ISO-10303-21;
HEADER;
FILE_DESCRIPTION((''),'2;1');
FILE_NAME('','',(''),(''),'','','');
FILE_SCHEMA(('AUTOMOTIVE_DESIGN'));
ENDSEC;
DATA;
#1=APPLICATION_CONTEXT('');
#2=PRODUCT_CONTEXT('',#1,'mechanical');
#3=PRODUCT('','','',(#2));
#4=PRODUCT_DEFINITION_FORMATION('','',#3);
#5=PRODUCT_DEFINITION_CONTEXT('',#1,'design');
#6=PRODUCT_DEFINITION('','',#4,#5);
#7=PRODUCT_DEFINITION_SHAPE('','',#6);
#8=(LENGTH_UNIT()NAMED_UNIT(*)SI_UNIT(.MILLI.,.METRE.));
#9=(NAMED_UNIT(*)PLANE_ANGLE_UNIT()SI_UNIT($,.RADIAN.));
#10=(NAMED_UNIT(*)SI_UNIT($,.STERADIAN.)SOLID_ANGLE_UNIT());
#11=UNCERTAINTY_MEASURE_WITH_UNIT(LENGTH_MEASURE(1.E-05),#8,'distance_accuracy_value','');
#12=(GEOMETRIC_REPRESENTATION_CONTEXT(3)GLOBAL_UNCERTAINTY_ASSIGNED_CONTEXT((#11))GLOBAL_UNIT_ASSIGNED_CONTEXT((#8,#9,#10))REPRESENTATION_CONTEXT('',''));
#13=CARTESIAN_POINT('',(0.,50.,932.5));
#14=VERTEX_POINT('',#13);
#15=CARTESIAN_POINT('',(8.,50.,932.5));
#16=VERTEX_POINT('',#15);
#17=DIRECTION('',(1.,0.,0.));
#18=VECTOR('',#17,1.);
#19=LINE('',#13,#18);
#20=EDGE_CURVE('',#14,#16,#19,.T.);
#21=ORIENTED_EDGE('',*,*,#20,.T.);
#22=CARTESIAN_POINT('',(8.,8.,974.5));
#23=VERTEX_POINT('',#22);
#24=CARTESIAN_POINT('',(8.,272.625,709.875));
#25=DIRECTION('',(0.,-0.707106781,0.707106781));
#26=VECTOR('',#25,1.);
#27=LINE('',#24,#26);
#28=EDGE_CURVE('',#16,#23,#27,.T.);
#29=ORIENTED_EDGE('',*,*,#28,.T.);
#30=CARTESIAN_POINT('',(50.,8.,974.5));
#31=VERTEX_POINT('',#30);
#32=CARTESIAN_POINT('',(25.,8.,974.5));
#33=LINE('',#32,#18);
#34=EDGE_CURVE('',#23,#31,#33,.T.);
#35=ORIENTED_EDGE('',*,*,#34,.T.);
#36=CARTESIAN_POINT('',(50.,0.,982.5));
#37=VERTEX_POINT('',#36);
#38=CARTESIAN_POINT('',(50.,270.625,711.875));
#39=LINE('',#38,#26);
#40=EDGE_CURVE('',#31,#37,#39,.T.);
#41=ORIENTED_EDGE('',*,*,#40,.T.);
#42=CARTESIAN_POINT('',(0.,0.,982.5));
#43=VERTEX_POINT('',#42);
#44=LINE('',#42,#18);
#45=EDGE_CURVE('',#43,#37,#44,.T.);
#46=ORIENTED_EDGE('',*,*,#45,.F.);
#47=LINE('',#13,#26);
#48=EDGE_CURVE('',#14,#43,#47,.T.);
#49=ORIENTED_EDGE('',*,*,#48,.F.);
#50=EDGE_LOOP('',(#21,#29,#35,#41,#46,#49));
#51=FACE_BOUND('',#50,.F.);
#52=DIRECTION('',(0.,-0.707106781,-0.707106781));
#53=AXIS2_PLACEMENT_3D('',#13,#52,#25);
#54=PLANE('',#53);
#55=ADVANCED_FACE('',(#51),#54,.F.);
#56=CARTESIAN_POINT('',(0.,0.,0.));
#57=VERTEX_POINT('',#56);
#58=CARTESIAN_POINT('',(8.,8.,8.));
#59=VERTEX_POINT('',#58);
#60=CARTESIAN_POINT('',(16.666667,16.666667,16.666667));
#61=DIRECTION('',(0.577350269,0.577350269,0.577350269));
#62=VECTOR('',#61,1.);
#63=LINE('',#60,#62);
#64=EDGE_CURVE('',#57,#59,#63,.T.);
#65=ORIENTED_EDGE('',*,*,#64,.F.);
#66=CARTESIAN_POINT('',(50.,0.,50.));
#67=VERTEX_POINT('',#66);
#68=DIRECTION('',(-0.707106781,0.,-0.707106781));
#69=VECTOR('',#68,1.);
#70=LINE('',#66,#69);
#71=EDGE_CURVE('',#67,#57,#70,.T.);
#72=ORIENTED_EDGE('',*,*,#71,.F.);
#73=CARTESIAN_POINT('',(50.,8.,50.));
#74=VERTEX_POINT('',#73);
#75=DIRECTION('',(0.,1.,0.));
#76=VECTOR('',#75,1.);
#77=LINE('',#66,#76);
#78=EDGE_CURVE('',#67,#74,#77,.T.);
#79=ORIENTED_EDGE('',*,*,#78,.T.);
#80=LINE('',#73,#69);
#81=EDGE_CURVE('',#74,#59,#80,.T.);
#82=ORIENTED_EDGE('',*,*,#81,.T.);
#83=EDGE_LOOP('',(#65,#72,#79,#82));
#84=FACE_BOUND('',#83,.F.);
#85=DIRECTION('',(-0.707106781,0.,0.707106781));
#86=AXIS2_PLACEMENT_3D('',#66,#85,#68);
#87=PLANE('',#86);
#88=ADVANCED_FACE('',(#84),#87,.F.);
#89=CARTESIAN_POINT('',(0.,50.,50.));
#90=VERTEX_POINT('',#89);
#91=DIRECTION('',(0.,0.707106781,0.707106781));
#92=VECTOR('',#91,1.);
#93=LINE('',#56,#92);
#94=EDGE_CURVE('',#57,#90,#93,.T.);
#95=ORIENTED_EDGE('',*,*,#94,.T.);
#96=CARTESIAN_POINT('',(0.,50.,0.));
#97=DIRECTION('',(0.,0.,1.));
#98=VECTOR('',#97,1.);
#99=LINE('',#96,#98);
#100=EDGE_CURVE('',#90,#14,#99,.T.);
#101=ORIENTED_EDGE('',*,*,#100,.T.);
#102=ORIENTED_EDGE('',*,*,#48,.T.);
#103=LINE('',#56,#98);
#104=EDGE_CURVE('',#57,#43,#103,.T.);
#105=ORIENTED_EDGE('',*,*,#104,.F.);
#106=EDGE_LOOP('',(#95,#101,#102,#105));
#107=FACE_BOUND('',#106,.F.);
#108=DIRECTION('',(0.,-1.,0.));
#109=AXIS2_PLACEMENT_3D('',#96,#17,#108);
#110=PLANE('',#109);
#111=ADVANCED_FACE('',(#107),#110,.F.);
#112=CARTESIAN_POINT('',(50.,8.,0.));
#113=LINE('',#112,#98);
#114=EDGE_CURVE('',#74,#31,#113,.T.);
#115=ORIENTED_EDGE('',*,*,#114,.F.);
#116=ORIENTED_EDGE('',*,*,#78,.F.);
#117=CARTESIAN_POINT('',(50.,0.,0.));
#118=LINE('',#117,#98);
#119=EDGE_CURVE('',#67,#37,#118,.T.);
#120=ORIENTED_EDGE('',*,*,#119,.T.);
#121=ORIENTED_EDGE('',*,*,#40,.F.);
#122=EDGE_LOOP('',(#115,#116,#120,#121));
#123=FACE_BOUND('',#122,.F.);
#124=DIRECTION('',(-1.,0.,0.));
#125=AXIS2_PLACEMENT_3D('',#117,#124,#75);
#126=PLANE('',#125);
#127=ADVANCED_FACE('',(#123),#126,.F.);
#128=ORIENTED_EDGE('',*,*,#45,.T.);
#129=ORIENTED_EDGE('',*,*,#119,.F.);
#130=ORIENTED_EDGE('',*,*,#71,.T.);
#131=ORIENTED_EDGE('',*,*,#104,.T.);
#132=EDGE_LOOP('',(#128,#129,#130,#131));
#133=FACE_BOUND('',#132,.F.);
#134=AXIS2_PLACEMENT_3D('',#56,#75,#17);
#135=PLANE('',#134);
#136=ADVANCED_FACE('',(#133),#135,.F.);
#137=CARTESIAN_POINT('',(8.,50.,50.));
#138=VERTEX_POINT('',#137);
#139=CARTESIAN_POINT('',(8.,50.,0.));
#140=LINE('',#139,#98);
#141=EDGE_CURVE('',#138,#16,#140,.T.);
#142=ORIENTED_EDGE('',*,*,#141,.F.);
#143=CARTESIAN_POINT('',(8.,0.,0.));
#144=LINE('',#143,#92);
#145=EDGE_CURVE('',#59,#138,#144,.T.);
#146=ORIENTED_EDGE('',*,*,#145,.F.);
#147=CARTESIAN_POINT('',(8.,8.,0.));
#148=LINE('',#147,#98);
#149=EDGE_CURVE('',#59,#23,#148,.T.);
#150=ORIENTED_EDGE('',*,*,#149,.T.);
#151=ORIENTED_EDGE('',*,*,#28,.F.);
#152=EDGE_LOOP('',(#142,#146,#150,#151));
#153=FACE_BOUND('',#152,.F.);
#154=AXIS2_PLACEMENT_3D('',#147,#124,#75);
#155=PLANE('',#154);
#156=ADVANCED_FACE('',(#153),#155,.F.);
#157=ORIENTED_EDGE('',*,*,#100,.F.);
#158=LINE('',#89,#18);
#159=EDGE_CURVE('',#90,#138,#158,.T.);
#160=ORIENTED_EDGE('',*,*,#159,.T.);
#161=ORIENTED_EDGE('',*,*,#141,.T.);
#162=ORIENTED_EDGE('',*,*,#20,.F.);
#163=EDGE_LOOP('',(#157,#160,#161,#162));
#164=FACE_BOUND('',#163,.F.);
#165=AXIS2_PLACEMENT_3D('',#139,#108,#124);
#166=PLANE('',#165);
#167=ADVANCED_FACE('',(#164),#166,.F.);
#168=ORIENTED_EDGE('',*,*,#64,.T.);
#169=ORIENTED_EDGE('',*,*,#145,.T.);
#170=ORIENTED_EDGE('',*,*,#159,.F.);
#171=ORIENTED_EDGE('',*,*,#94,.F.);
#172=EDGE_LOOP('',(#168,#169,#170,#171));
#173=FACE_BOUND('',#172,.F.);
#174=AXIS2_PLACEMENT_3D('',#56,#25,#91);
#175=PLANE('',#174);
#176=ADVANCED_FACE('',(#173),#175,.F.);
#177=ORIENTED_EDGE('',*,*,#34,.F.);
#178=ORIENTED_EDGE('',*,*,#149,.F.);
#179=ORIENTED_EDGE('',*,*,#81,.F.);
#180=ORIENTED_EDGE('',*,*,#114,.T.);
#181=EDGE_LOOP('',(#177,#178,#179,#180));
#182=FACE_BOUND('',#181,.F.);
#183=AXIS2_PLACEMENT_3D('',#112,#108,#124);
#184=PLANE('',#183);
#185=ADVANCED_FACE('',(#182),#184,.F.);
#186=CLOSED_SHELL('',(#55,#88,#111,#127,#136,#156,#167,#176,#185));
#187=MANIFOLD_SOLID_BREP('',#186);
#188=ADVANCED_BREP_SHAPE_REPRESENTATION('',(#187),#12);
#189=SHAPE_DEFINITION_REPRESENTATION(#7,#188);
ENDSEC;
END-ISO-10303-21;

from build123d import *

# Parameters (mm, degrees)
F1_DEPTH = 982.5
F3_DEPTH = 50.001
F5_DEPTH = 8
F7_DEPTH = 8


with BuildPart() as f1:
    # F0 (on Top) → F1 (new body)
    with BuildSketch(Plane.XY):
        Polygon((0, 50), (0, 0), (50, 0), (50, 8), (8, 8), (8, 50), align=None)
    extrude(amount=F1_DEPTH)

    # F2 (on face) → F3 (cut, through all)
    with BuildSketch(Plane(origin=(0, 0, 0), x_dir=(0, -1, 0), z_dir=(-1, 0, 0))):
        Polygon((-50, 932.5), (0, 982.5), (-50, 982.5), align=None)
    extrude(amount=-F3_DEPTH, mode=Mode.SUBTRACT)

    # F4 (on face) → F5 (cut, through all)
    with BuildSketch(Plane.XZ):
        Polygon((50, 50), (0, 0), (50, 0), align=None)
    extrude(amount=-F5_DEPTH, mode=Mode.SUBTRACT)

    # F6 (on face) → F7 (cut, through all)
    with BuildSketch(Plane(origin=(0, 0, 0), x_dir=(0, -1, 0), z_dir=(-1, 0, 0))):
        Polygon((-8, 0), (0, 0), (-50, 50), (-50, 0), align=None)
    extrude(amount=-F7_DEPTH, mode=Mode.SUBTRACT)


solid = f1.part
